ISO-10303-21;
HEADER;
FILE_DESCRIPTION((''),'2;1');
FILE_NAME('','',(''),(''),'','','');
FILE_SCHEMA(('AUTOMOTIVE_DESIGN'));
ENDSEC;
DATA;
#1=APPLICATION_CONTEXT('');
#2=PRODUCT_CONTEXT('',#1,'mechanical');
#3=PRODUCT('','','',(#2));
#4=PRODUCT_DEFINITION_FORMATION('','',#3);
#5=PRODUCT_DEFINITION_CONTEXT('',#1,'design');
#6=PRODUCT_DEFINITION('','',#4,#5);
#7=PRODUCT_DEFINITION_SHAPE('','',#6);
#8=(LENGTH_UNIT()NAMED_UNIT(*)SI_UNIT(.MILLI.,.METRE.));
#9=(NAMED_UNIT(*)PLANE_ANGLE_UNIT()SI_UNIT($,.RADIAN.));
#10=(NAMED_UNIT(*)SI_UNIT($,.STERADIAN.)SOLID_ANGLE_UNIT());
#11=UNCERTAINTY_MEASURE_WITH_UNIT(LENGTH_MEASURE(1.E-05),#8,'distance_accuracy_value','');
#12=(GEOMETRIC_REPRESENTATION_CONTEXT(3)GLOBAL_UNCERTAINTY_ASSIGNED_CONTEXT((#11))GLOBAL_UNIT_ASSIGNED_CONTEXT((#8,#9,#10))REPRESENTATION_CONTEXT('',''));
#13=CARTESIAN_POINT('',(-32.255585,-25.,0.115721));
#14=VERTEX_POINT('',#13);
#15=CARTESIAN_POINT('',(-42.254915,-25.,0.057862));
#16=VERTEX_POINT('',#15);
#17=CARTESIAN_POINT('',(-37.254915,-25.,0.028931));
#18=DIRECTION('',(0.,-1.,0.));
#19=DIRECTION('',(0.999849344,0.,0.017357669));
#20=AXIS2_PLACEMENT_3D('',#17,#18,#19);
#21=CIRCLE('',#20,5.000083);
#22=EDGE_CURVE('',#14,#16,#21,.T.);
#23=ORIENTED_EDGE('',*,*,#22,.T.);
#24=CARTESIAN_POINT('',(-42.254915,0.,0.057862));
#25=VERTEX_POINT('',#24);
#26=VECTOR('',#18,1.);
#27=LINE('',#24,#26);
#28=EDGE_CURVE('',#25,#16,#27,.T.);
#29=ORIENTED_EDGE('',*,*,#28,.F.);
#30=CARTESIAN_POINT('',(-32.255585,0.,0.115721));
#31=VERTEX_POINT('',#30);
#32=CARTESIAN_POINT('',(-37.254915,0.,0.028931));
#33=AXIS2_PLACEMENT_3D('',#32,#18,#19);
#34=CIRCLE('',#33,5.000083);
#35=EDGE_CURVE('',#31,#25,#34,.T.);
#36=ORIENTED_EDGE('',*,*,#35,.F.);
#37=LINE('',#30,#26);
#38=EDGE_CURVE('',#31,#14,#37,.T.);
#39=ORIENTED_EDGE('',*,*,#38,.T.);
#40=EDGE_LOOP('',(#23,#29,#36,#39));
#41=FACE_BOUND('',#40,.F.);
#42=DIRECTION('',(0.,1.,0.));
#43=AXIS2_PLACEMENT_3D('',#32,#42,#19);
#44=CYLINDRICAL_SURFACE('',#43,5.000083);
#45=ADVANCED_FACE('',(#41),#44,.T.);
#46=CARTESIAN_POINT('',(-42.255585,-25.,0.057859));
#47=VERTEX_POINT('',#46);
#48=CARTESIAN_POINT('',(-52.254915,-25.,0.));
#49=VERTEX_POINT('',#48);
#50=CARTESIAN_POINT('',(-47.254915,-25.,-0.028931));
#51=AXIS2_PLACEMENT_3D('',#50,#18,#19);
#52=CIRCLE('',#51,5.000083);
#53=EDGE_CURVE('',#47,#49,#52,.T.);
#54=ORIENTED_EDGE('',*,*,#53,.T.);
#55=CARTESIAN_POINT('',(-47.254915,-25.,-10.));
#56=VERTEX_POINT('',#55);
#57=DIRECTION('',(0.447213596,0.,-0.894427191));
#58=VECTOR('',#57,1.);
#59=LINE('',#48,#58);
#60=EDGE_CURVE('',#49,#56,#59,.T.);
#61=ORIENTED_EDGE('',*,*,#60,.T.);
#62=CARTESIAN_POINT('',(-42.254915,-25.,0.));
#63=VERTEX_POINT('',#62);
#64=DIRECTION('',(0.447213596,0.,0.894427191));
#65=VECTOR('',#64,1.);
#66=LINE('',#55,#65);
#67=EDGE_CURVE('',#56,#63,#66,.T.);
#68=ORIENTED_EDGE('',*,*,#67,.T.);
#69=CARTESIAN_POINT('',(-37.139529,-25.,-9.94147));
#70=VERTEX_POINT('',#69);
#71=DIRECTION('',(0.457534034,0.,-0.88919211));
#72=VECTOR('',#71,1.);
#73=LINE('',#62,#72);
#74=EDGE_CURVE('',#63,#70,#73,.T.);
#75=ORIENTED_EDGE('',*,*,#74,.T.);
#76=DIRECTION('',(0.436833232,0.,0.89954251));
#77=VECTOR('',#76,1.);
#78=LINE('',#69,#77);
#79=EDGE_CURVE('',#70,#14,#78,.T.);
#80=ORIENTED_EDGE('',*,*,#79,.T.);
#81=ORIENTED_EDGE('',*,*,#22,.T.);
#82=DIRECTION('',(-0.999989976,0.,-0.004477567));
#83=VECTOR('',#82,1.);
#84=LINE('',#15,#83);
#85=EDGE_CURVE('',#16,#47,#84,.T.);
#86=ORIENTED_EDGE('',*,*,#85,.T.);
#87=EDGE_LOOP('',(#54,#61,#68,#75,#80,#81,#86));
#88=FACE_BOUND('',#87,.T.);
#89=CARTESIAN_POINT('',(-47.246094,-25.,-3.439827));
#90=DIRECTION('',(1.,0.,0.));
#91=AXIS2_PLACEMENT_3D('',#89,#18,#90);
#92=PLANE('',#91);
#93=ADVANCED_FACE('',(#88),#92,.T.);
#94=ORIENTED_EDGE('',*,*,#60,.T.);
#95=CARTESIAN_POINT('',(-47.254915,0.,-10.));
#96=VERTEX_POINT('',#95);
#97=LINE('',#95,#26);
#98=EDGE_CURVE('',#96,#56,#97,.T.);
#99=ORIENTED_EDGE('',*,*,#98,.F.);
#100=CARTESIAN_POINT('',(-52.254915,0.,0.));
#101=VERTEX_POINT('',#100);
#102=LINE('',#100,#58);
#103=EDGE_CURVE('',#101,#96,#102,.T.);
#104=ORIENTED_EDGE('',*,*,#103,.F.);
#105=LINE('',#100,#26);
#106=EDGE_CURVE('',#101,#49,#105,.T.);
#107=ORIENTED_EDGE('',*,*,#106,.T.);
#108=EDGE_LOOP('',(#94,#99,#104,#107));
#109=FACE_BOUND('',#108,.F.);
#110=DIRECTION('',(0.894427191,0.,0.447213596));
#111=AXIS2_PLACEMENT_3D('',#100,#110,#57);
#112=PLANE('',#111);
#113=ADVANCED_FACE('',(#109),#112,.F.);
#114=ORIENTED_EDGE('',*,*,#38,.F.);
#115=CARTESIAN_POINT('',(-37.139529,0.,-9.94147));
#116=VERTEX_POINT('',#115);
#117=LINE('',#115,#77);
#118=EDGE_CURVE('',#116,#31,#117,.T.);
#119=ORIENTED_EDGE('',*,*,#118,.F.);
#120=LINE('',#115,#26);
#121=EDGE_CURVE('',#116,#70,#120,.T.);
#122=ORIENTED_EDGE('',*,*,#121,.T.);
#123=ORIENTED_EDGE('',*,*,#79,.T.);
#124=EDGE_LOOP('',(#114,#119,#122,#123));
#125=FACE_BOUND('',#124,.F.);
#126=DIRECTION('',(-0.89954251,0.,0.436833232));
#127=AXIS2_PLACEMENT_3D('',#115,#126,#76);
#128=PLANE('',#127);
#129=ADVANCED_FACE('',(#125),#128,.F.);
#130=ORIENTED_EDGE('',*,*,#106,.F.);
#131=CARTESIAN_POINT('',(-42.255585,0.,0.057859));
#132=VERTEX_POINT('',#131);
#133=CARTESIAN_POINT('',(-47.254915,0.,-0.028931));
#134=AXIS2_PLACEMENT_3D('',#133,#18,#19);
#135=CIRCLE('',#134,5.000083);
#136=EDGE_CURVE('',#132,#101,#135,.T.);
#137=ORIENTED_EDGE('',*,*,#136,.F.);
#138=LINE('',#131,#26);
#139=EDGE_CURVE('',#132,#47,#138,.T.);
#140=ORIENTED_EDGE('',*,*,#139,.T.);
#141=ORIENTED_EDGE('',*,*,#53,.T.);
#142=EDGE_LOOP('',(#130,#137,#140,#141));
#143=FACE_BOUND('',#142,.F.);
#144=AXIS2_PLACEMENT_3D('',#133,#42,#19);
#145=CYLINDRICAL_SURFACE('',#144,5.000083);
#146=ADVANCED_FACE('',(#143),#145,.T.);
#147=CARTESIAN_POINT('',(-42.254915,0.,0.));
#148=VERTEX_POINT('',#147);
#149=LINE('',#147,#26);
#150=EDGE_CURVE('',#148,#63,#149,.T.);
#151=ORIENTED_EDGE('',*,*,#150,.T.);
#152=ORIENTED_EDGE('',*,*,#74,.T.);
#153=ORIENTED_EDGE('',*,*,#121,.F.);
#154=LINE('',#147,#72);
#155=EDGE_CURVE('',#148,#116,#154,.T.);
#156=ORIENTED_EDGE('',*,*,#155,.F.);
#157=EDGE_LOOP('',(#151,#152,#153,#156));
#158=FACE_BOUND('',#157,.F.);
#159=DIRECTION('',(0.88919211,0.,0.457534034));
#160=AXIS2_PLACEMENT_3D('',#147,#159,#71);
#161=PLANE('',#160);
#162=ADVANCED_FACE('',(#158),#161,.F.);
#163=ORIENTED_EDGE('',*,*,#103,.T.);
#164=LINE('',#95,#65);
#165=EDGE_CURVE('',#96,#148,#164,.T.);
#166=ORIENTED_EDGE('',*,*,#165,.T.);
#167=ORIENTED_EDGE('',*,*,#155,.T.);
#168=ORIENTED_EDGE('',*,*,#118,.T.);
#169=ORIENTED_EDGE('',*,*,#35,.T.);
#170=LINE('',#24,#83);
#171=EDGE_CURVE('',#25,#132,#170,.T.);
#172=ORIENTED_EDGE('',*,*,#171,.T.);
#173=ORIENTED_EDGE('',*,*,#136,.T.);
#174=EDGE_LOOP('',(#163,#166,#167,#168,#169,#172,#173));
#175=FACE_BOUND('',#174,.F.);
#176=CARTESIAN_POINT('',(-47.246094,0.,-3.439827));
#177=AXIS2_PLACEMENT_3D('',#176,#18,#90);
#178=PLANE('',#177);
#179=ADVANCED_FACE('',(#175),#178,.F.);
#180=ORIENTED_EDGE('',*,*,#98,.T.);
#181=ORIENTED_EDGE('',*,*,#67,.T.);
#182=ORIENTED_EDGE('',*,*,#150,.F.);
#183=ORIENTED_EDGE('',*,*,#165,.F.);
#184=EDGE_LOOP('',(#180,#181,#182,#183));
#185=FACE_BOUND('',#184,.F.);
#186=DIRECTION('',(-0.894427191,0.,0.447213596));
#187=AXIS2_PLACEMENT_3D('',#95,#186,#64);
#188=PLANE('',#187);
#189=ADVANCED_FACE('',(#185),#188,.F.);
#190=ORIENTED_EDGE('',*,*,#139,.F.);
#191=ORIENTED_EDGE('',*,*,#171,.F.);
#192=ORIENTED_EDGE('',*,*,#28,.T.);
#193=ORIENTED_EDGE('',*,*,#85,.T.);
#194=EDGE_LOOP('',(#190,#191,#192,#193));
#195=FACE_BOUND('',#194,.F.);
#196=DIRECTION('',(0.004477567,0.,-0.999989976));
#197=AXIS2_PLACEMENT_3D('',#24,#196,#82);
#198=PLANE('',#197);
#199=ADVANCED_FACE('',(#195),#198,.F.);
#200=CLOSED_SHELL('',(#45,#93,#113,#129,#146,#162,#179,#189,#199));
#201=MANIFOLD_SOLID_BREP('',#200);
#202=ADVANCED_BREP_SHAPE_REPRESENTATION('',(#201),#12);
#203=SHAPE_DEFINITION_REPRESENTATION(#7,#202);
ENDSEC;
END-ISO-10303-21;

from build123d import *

# Parameters (mm, degrees)
F1_DEPTH = 25


with BuildPart() as f1:
    # F0 (on Front) → F1 (new body)
    with BuildSketch(Plane.XZ):
        with BuildLine():
            Line((-42.255585, 0.057859), (-52.254915, 0))
            Line((-52.254915, 0), (-47.254915, -10))
            Line((-47.254915, -10), (-42.254915, 0))
            ThreePointArc((-42.254915, 0), (-42.255166, 0.02893), (-42.255585, 0.057859))
        make_face()
        with BuildLine():
            ThreePointArc((-42.255585, 0.057859), (-47.283846, 4.971069), (-52.254915, 0))
            Line((-52.254915, 0), (-42.255585, 0.057859))
        make_face()
        with BuildLine():
            Line((-42.254915, 0.057862), (-42.255585, 0.057859))
            ThreePointArc((-42.255585, 0.057859), (-42.255166, 0.02893), (-42.254915, 0))
            ThreePointArc((-42.254915, 0), (-42.254999, 0.028931), (-42.254915, 0.057862))
        make_face()
        with BuildLine():
            ThreePointArc((-42.254915, 0.057862), (-42.254999, 0.028931), (-42.254915, 0))
            Line((-42.254915, 0), (-37.139529, -9.94147))
            Line((-37.139529, -9.94147), (-32.255585, 0.115721))
            Line((-32.255585, 0.115721), (-42.254915, 0.057862))
        make_face()
        with BuildLine():
            ThreePointArc((-32.255585, 0.115721), (-37.283846, 5.028931), (-42.254915, 0.057862))
            Line((-42.254915, 0.057862), (-32.255585, 0.115721))
        make_face()
    extrude(amount=F1_DEPTH)


solid = f1.part
